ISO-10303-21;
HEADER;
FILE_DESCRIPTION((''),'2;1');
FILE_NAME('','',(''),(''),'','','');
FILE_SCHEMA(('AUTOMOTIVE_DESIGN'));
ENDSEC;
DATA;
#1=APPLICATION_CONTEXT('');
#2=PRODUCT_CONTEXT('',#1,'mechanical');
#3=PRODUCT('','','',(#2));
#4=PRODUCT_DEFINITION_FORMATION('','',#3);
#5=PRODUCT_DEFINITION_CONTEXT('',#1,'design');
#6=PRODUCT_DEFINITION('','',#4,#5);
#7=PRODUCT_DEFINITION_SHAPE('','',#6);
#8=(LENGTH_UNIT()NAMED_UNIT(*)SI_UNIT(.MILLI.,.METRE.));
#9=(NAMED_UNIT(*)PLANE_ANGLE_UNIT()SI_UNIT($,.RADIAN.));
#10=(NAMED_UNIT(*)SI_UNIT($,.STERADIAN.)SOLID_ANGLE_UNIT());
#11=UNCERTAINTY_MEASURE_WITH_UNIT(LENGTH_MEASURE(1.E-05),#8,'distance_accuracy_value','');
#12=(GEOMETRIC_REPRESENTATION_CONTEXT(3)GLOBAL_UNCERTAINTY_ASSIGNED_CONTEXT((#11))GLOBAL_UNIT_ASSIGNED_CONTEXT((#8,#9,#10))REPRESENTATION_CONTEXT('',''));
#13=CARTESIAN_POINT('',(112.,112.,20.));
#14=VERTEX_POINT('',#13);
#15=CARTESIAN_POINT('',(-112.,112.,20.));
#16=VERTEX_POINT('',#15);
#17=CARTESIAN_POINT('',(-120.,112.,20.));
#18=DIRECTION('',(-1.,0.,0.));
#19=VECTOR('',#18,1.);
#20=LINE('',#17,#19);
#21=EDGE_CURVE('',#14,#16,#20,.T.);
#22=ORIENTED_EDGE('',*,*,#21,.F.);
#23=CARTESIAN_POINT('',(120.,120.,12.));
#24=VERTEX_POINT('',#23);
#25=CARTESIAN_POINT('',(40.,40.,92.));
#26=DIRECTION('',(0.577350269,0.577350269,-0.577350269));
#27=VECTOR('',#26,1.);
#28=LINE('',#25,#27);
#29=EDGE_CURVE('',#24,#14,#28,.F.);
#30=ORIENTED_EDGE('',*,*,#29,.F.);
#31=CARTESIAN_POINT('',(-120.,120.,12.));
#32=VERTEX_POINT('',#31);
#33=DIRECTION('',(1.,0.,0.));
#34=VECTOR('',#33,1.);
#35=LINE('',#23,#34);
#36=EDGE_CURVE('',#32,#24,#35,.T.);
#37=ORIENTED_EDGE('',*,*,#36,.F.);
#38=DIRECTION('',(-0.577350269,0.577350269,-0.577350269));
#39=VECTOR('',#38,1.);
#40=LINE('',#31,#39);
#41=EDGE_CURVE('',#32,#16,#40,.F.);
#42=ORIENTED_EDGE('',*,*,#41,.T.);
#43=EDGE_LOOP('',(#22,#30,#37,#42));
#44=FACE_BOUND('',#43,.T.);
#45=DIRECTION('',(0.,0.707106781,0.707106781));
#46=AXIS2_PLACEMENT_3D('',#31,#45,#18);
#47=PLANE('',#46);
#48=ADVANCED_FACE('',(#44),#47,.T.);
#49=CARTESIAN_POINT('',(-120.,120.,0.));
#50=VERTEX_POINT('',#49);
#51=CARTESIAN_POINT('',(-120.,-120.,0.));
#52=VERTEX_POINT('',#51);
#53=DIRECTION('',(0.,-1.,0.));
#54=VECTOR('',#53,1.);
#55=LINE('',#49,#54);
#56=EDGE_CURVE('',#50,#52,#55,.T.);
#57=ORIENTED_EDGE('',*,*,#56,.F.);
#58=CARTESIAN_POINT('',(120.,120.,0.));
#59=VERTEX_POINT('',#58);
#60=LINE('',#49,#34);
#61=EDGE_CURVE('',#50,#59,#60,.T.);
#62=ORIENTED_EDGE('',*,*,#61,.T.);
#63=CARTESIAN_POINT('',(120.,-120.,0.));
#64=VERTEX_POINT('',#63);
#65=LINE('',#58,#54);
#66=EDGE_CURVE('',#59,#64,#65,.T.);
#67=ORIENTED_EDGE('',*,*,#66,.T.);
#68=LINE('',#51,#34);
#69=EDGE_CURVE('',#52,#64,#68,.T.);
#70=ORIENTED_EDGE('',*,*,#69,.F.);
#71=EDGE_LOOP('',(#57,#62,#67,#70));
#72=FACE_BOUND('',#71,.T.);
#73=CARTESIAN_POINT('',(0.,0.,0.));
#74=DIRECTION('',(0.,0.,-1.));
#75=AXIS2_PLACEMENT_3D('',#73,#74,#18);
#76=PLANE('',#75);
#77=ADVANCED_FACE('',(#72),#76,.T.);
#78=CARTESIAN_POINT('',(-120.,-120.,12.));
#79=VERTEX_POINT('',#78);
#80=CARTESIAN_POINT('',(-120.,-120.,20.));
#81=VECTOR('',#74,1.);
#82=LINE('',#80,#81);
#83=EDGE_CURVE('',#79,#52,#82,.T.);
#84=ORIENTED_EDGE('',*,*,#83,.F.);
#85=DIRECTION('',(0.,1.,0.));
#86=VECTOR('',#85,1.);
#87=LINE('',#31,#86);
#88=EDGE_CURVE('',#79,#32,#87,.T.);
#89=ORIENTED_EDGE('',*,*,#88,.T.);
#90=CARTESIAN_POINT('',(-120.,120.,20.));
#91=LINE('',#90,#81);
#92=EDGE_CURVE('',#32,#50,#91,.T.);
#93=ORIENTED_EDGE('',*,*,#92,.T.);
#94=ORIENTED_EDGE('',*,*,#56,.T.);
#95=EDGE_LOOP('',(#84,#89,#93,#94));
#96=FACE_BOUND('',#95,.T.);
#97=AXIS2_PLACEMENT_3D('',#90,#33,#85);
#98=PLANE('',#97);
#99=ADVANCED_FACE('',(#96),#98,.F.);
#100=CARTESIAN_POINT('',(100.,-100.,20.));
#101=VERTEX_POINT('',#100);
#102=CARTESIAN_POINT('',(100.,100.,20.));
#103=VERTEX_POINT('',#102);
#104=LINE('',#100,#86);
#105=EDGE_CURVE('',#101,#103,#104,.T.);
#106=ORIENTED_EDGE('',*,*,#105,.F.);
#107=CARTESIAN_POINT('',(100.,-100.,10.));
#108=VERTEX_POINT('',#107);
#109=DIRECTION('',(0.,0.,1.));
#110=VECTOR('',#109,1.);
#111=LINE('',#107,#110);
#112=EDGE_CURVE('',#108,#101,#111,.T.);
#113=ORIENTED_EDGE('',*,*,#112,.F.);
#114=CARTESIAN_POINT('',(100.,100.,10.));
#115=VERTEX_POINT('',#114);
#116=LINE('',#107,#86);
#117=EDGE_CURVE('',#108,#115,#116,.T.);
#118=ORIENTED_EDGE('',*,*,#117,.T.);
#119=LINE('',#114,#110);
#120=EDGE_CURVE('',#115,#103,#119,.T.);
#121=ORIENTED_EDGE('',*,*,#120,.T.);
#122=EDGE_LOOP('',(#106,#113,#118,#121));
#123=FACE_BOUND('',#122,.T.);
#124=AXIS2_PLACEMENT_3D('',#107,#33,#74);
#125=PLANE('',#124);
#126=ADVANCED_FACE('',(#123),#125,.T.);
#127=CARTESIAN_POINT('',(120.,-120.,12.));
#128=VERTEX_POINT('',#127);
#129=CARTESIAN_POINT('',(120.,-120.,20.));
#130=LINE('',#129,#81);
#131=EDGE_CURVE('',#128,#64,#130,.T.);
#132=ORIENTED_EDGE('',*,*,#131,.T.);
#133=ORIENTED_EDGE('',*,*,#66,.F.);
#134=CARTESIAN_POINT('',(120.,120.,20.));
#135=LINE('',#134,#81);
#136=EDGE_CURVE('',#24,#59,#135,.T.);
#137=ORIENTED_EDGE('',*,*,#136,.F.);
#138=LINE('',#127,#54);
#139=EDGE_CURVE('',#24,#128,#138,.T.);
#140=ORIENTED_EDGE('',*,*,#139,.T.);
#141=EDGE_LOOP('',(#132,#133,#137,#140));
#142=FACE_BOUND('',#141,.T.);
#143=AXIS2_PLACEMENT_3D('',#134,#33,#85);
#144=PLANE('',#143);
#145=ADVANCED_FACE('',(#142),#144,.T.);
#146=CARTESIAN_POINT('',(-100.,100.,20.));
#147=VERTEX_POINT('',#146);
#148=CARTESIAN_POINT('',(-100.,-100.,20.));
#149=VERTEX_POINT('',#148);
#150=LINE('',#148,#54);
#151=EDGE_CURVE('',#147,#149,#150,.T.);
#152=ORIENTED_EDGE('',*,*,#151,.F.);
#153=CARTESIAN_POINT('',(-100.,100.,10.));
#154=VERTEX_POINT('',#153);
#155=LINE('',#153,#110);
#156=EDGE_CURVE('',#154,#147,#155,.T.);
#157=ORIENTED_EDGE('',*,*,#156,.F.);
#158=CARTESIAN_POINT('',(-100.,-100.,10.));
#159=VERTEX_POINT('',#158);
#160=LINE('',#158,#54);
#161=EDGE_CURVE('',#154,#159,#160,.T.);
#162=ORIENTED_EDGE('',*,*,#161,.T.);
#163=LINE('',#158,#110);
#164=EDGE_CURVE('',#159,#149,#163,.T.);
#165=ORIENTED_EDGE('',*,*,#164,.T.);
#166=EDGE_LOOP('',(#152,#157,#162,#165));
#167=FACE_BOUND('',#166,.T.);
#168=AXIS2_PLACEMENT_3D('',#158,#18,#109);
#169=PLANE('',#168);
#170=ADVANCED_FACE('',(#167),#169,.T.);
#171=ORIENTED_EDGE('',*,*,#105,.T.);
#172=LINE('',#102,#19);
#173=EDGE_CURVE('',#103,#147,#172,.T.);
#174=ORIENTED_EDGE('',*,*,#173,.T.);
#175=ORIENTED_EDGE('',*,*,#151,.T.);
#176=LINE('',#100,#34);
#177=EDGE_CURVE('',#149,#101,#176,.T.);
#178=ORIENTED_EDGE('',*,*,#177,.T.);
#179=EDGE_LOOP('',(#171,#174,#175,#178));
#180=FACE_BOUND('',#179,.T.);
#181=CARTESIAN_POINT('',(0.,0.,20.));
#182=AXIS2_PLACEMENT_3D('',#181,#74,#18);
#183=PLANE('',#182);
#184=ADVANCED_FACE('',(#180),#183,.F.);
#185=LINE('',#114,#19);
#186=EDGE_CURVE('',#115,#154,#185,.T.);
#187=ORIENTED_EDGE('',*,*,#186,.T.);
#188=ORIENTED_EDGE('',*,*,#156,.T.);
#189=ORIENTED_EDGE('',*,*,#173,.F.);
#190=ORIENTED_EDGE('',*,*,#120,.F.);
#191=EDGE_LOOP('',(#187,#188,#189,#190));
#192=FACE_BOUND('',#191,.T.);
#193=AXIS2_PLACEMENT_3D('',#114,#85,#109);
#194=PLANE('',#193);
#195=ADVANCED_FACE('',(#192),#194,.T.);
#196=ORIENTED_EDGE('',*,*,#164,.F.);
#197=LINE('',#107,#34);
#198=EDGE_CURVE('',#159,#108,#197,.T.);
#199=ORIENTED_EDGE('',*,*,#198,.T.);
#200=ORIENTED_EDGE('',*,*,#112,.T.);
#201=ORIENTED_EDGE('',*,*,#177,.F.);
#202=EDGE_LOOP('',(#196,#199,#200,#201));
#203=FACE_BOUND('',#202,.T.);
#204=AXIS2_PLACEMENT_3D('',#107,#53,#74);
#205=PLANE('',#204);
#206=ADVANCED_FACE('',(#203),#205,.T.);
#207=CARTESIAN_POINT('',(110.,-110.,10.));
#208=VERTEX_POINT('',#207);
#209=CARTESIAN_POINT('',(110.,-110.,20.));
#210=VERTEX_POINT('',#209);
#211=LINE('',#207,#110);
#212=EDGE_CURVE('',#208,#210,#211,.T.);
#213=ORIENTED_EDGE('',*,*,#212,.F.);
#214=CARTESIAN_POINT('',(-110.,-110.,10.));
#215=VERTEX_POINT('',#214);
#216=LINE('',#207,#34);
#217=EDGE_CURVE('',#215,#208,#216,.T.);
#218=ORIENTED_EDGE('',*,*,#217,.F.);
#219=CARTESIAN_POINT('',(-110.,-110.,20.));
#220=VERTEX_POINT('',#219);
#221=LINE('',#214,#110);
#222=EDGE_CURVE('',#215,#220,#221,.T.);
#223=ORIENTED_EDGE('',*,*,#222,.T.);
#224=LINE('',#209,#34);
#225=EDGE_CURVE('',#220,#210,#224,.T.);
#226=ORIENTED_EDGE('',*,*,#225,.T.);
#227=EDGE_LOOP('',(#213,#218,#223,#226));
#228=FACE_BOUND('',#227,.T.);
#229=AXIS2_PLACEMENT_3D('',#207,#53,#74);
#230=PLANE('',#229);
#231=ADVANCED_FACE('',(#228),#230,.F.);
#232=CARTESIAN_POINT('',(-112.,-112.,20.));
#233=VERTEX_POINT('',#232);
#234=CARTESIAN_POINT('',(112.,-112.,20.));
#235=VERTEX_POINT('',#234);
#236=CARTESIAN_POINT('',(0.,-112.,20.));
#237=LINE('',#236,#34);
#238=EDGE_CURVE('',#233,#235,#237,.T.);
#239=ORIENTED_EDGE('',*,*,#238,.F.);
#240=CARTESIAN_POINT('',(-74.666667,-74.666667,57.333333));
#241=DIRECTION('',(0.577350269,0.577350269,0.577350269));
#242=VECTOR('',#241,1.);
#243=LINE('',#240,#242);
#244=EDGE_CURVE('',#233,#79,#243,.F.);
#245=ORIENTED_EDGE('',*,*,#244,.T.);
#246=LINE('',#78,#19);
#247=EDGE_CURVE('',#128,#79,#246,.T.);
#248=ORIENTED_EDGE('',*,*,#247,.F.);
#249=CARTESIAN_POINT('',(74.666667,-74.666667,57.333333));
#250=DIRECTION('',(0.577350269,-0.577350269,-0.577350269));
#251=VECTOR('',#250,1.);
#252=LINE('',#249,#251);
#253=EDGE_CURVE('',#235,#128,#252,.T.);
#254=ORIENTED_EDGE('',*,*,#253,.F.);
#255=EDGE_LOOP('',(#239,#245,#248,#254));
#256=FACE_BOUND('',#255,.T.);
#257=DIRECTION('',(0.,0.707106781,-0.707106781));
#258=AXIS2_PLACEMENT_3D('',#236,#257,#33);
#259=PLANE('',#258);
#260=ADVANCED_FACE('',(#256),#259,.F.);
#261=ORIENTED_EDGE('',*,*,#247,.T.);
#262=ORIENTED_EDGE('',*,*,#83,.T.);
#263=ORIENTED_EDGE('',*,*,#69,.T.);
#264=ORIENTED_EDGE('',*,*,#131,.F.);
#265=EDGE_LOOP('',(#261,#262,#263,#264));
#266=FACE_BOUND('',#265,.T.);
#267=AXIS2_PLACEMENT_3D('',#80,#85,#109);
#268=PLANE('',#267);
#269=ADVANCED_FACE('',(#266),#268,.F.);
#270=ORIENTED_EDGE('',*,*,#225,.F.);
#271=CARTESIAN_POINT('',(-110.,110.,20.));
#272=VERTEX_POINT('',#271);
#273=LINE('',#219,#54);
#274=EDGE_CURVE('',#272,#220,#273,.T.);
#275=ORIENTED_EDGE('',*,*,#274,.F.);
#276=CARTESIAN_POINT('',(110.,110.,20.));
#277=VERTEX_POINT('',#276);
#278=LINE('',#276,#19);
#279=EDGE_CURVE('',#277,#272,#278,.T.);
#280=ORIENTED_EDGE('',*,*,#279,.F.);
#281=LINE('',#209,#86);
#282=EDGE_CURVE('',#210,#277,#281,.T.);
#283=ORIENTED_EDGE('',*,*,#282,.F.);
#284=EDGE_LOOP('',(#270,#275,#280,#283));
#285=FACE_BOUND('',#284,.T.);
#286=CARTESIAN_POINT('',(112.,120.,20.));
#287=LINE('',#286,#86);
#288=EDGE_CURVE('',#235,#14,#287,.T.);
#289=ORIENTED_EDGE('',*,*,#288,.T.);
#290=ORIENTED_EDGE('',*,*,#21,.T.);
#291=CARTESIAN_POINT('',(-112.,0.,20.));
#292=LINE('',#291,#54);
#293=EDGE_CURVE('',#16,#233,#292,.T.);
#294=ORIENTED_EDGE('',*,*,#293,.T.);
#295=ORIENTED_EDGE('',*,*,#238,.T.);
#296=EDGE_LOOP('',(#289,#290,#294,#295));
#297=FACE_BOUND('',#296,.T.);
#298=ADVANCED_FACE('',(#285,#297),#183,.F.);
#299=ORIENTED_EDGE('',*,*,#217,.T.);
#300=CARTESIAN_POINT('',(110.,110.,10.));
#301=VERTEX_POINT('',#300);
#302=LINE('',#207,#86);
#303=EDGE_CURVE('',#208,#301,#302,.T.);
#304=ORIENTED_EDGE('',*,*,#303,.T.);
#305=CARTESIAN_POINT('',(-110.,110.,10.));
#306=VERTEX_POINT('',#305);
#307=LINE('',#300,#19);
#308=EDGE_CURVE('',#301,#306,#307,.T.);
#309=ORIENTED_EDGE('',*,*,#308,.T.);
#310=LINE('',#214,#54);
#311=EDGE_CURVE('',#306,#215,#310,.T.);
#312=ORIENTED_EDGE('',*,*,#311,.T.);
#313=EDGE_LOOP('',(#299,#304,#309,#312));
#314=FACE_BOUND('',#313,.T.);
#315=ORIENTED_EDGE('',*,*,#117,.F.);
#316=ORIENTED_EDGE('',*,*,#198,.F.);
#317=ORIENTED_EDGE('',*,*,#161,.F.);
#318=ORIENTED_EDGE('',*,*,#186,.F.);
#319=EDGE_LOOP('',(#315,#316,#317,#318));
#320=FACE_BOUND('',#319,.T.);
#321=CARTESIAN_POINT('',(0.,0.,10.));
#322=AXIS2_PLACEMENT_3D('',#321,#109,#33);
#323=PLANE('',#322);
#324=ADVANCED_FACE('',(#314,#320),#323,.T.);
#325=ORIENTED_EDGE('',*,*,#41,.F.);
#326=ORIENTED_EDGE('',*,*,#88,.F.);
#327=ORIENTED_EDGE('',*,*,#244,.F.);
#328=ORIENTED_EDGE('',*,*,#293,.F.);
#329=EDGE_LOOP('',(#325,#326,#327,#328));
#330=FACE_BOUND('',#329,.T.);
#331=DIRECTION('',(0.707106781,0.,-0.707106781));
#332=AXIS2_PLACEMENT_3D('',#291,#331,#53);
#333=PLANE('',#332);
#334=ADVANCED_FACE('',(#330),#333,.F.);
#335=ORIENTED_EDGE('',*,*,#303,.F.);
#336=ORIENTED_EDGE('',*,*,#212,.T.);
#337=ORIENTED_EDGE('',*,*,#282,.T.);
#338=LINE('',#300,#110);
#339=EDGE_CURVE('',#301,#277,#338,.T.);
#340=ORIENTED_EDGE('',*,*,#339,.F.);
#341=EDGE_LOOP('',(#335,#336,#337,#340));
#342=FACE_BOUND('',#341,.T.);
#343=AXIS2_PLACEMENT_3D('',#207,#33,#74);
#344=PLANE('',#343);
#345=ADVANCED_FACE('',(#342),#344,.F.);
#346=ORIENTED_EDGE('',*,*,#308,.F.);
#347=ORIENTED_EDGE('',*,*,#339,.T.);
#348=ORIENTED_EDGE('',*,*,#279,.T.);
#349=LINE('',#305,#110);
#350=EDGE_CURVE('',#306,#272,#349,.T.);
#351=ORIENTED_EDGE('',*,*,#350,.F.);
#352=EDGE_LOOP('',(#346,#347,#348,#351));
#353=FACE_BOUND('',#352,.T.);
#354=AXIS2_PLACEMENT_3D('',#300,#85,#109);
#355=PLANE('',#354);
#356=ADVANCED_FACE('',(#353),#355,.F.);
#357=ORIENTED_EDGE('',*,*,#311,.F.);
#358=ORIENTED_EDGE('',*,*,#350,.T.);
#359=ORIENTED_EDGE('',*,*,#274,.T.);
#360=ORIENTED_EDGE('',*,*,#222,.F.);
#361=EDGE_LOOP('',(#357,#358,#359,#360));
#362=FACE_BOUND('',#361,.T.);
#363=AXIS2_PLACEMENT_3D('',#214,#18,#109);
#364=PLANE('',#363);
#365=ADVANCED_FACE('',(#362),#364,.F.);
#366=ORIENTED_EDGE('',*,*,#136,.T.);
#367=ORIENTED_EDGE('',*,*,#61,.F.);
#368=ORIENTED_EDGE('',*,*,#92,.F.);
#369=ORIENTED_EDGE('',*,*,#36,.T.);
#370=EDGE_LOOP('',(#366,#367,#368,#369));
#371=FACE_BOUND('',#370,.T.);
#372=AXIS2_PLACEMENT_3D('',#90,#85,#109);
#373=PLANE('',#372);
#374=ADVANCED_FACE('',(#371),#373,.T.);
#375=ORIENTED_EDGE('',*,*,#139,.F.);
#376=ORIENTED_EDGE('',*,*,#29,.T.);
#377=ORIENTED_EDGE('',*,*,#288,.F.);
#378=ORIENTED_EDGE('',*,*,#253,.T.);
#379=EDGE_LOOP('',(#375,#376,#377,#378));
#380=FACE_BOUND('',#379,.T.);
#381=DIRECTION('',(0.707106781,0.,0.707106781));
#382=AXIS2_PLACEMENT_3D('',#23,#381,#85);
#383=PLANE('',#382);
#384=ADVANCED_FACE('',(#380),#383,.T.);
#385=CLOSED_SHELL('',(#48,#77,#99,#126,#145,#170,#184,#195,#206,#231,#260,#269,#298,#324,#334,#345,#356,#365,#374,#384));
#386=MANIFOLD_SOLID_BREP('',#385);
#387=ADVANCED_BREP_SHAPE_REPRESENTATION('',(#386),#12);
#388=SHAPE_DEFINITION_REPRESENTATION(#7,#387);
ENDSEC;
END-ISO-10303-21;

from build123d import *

# Parameters (mm, degrees)
SKETCH_1_W          = 240
SKETCH_1_H          = 240
EXTRUDE_1_DEPTH     = 20
CHAMFER_1_SIZE      = 8
SKETCH_2_W          = 220
SKETCH_2_H          = 220
SKETCH_2_W_2        = 200
SKETCH_2_H_2        = 200
CUT_EXTRUDE_1_DEPTH = 10


with BuildPart() as part:
    # Эскиз1 → Бобышка-Вытянуть1 (new body)
    with BuildSketch(Plane.XY):
        Rectangle(SKETCH_1_W, SKETCH_1_H)
    extrude(amount=EXTRUDE_1_DEPTH)

    # Фаска1
    chamfer_1_edges = [part.edges().sort_by_distance(p)[0] for p in [
        (0, -120, 20),
        (-120, 0, 20),
        (0, 120, 20),
        (120, 0, 20),
    ]]
    chamfer(chamfer_1_edges, length=CHAMFER_1_SIZE)

    # Эскиз2 → Вырез-Вытянуть1 (cut)
    with BuildSketch(Plane.XY.offset(20)):
        Rectangle(SKETCH_2_W, SKETCH_2_H)
        Rectangle(SKETCH_2_W_2, SKETCH_2_H_2, mode=Mode.SUBTRACT)
    extrude(amount=-CUT_EXTRUDE_1_DEPTH, mode=Mode.SUBTRACT)


solid = part.part
